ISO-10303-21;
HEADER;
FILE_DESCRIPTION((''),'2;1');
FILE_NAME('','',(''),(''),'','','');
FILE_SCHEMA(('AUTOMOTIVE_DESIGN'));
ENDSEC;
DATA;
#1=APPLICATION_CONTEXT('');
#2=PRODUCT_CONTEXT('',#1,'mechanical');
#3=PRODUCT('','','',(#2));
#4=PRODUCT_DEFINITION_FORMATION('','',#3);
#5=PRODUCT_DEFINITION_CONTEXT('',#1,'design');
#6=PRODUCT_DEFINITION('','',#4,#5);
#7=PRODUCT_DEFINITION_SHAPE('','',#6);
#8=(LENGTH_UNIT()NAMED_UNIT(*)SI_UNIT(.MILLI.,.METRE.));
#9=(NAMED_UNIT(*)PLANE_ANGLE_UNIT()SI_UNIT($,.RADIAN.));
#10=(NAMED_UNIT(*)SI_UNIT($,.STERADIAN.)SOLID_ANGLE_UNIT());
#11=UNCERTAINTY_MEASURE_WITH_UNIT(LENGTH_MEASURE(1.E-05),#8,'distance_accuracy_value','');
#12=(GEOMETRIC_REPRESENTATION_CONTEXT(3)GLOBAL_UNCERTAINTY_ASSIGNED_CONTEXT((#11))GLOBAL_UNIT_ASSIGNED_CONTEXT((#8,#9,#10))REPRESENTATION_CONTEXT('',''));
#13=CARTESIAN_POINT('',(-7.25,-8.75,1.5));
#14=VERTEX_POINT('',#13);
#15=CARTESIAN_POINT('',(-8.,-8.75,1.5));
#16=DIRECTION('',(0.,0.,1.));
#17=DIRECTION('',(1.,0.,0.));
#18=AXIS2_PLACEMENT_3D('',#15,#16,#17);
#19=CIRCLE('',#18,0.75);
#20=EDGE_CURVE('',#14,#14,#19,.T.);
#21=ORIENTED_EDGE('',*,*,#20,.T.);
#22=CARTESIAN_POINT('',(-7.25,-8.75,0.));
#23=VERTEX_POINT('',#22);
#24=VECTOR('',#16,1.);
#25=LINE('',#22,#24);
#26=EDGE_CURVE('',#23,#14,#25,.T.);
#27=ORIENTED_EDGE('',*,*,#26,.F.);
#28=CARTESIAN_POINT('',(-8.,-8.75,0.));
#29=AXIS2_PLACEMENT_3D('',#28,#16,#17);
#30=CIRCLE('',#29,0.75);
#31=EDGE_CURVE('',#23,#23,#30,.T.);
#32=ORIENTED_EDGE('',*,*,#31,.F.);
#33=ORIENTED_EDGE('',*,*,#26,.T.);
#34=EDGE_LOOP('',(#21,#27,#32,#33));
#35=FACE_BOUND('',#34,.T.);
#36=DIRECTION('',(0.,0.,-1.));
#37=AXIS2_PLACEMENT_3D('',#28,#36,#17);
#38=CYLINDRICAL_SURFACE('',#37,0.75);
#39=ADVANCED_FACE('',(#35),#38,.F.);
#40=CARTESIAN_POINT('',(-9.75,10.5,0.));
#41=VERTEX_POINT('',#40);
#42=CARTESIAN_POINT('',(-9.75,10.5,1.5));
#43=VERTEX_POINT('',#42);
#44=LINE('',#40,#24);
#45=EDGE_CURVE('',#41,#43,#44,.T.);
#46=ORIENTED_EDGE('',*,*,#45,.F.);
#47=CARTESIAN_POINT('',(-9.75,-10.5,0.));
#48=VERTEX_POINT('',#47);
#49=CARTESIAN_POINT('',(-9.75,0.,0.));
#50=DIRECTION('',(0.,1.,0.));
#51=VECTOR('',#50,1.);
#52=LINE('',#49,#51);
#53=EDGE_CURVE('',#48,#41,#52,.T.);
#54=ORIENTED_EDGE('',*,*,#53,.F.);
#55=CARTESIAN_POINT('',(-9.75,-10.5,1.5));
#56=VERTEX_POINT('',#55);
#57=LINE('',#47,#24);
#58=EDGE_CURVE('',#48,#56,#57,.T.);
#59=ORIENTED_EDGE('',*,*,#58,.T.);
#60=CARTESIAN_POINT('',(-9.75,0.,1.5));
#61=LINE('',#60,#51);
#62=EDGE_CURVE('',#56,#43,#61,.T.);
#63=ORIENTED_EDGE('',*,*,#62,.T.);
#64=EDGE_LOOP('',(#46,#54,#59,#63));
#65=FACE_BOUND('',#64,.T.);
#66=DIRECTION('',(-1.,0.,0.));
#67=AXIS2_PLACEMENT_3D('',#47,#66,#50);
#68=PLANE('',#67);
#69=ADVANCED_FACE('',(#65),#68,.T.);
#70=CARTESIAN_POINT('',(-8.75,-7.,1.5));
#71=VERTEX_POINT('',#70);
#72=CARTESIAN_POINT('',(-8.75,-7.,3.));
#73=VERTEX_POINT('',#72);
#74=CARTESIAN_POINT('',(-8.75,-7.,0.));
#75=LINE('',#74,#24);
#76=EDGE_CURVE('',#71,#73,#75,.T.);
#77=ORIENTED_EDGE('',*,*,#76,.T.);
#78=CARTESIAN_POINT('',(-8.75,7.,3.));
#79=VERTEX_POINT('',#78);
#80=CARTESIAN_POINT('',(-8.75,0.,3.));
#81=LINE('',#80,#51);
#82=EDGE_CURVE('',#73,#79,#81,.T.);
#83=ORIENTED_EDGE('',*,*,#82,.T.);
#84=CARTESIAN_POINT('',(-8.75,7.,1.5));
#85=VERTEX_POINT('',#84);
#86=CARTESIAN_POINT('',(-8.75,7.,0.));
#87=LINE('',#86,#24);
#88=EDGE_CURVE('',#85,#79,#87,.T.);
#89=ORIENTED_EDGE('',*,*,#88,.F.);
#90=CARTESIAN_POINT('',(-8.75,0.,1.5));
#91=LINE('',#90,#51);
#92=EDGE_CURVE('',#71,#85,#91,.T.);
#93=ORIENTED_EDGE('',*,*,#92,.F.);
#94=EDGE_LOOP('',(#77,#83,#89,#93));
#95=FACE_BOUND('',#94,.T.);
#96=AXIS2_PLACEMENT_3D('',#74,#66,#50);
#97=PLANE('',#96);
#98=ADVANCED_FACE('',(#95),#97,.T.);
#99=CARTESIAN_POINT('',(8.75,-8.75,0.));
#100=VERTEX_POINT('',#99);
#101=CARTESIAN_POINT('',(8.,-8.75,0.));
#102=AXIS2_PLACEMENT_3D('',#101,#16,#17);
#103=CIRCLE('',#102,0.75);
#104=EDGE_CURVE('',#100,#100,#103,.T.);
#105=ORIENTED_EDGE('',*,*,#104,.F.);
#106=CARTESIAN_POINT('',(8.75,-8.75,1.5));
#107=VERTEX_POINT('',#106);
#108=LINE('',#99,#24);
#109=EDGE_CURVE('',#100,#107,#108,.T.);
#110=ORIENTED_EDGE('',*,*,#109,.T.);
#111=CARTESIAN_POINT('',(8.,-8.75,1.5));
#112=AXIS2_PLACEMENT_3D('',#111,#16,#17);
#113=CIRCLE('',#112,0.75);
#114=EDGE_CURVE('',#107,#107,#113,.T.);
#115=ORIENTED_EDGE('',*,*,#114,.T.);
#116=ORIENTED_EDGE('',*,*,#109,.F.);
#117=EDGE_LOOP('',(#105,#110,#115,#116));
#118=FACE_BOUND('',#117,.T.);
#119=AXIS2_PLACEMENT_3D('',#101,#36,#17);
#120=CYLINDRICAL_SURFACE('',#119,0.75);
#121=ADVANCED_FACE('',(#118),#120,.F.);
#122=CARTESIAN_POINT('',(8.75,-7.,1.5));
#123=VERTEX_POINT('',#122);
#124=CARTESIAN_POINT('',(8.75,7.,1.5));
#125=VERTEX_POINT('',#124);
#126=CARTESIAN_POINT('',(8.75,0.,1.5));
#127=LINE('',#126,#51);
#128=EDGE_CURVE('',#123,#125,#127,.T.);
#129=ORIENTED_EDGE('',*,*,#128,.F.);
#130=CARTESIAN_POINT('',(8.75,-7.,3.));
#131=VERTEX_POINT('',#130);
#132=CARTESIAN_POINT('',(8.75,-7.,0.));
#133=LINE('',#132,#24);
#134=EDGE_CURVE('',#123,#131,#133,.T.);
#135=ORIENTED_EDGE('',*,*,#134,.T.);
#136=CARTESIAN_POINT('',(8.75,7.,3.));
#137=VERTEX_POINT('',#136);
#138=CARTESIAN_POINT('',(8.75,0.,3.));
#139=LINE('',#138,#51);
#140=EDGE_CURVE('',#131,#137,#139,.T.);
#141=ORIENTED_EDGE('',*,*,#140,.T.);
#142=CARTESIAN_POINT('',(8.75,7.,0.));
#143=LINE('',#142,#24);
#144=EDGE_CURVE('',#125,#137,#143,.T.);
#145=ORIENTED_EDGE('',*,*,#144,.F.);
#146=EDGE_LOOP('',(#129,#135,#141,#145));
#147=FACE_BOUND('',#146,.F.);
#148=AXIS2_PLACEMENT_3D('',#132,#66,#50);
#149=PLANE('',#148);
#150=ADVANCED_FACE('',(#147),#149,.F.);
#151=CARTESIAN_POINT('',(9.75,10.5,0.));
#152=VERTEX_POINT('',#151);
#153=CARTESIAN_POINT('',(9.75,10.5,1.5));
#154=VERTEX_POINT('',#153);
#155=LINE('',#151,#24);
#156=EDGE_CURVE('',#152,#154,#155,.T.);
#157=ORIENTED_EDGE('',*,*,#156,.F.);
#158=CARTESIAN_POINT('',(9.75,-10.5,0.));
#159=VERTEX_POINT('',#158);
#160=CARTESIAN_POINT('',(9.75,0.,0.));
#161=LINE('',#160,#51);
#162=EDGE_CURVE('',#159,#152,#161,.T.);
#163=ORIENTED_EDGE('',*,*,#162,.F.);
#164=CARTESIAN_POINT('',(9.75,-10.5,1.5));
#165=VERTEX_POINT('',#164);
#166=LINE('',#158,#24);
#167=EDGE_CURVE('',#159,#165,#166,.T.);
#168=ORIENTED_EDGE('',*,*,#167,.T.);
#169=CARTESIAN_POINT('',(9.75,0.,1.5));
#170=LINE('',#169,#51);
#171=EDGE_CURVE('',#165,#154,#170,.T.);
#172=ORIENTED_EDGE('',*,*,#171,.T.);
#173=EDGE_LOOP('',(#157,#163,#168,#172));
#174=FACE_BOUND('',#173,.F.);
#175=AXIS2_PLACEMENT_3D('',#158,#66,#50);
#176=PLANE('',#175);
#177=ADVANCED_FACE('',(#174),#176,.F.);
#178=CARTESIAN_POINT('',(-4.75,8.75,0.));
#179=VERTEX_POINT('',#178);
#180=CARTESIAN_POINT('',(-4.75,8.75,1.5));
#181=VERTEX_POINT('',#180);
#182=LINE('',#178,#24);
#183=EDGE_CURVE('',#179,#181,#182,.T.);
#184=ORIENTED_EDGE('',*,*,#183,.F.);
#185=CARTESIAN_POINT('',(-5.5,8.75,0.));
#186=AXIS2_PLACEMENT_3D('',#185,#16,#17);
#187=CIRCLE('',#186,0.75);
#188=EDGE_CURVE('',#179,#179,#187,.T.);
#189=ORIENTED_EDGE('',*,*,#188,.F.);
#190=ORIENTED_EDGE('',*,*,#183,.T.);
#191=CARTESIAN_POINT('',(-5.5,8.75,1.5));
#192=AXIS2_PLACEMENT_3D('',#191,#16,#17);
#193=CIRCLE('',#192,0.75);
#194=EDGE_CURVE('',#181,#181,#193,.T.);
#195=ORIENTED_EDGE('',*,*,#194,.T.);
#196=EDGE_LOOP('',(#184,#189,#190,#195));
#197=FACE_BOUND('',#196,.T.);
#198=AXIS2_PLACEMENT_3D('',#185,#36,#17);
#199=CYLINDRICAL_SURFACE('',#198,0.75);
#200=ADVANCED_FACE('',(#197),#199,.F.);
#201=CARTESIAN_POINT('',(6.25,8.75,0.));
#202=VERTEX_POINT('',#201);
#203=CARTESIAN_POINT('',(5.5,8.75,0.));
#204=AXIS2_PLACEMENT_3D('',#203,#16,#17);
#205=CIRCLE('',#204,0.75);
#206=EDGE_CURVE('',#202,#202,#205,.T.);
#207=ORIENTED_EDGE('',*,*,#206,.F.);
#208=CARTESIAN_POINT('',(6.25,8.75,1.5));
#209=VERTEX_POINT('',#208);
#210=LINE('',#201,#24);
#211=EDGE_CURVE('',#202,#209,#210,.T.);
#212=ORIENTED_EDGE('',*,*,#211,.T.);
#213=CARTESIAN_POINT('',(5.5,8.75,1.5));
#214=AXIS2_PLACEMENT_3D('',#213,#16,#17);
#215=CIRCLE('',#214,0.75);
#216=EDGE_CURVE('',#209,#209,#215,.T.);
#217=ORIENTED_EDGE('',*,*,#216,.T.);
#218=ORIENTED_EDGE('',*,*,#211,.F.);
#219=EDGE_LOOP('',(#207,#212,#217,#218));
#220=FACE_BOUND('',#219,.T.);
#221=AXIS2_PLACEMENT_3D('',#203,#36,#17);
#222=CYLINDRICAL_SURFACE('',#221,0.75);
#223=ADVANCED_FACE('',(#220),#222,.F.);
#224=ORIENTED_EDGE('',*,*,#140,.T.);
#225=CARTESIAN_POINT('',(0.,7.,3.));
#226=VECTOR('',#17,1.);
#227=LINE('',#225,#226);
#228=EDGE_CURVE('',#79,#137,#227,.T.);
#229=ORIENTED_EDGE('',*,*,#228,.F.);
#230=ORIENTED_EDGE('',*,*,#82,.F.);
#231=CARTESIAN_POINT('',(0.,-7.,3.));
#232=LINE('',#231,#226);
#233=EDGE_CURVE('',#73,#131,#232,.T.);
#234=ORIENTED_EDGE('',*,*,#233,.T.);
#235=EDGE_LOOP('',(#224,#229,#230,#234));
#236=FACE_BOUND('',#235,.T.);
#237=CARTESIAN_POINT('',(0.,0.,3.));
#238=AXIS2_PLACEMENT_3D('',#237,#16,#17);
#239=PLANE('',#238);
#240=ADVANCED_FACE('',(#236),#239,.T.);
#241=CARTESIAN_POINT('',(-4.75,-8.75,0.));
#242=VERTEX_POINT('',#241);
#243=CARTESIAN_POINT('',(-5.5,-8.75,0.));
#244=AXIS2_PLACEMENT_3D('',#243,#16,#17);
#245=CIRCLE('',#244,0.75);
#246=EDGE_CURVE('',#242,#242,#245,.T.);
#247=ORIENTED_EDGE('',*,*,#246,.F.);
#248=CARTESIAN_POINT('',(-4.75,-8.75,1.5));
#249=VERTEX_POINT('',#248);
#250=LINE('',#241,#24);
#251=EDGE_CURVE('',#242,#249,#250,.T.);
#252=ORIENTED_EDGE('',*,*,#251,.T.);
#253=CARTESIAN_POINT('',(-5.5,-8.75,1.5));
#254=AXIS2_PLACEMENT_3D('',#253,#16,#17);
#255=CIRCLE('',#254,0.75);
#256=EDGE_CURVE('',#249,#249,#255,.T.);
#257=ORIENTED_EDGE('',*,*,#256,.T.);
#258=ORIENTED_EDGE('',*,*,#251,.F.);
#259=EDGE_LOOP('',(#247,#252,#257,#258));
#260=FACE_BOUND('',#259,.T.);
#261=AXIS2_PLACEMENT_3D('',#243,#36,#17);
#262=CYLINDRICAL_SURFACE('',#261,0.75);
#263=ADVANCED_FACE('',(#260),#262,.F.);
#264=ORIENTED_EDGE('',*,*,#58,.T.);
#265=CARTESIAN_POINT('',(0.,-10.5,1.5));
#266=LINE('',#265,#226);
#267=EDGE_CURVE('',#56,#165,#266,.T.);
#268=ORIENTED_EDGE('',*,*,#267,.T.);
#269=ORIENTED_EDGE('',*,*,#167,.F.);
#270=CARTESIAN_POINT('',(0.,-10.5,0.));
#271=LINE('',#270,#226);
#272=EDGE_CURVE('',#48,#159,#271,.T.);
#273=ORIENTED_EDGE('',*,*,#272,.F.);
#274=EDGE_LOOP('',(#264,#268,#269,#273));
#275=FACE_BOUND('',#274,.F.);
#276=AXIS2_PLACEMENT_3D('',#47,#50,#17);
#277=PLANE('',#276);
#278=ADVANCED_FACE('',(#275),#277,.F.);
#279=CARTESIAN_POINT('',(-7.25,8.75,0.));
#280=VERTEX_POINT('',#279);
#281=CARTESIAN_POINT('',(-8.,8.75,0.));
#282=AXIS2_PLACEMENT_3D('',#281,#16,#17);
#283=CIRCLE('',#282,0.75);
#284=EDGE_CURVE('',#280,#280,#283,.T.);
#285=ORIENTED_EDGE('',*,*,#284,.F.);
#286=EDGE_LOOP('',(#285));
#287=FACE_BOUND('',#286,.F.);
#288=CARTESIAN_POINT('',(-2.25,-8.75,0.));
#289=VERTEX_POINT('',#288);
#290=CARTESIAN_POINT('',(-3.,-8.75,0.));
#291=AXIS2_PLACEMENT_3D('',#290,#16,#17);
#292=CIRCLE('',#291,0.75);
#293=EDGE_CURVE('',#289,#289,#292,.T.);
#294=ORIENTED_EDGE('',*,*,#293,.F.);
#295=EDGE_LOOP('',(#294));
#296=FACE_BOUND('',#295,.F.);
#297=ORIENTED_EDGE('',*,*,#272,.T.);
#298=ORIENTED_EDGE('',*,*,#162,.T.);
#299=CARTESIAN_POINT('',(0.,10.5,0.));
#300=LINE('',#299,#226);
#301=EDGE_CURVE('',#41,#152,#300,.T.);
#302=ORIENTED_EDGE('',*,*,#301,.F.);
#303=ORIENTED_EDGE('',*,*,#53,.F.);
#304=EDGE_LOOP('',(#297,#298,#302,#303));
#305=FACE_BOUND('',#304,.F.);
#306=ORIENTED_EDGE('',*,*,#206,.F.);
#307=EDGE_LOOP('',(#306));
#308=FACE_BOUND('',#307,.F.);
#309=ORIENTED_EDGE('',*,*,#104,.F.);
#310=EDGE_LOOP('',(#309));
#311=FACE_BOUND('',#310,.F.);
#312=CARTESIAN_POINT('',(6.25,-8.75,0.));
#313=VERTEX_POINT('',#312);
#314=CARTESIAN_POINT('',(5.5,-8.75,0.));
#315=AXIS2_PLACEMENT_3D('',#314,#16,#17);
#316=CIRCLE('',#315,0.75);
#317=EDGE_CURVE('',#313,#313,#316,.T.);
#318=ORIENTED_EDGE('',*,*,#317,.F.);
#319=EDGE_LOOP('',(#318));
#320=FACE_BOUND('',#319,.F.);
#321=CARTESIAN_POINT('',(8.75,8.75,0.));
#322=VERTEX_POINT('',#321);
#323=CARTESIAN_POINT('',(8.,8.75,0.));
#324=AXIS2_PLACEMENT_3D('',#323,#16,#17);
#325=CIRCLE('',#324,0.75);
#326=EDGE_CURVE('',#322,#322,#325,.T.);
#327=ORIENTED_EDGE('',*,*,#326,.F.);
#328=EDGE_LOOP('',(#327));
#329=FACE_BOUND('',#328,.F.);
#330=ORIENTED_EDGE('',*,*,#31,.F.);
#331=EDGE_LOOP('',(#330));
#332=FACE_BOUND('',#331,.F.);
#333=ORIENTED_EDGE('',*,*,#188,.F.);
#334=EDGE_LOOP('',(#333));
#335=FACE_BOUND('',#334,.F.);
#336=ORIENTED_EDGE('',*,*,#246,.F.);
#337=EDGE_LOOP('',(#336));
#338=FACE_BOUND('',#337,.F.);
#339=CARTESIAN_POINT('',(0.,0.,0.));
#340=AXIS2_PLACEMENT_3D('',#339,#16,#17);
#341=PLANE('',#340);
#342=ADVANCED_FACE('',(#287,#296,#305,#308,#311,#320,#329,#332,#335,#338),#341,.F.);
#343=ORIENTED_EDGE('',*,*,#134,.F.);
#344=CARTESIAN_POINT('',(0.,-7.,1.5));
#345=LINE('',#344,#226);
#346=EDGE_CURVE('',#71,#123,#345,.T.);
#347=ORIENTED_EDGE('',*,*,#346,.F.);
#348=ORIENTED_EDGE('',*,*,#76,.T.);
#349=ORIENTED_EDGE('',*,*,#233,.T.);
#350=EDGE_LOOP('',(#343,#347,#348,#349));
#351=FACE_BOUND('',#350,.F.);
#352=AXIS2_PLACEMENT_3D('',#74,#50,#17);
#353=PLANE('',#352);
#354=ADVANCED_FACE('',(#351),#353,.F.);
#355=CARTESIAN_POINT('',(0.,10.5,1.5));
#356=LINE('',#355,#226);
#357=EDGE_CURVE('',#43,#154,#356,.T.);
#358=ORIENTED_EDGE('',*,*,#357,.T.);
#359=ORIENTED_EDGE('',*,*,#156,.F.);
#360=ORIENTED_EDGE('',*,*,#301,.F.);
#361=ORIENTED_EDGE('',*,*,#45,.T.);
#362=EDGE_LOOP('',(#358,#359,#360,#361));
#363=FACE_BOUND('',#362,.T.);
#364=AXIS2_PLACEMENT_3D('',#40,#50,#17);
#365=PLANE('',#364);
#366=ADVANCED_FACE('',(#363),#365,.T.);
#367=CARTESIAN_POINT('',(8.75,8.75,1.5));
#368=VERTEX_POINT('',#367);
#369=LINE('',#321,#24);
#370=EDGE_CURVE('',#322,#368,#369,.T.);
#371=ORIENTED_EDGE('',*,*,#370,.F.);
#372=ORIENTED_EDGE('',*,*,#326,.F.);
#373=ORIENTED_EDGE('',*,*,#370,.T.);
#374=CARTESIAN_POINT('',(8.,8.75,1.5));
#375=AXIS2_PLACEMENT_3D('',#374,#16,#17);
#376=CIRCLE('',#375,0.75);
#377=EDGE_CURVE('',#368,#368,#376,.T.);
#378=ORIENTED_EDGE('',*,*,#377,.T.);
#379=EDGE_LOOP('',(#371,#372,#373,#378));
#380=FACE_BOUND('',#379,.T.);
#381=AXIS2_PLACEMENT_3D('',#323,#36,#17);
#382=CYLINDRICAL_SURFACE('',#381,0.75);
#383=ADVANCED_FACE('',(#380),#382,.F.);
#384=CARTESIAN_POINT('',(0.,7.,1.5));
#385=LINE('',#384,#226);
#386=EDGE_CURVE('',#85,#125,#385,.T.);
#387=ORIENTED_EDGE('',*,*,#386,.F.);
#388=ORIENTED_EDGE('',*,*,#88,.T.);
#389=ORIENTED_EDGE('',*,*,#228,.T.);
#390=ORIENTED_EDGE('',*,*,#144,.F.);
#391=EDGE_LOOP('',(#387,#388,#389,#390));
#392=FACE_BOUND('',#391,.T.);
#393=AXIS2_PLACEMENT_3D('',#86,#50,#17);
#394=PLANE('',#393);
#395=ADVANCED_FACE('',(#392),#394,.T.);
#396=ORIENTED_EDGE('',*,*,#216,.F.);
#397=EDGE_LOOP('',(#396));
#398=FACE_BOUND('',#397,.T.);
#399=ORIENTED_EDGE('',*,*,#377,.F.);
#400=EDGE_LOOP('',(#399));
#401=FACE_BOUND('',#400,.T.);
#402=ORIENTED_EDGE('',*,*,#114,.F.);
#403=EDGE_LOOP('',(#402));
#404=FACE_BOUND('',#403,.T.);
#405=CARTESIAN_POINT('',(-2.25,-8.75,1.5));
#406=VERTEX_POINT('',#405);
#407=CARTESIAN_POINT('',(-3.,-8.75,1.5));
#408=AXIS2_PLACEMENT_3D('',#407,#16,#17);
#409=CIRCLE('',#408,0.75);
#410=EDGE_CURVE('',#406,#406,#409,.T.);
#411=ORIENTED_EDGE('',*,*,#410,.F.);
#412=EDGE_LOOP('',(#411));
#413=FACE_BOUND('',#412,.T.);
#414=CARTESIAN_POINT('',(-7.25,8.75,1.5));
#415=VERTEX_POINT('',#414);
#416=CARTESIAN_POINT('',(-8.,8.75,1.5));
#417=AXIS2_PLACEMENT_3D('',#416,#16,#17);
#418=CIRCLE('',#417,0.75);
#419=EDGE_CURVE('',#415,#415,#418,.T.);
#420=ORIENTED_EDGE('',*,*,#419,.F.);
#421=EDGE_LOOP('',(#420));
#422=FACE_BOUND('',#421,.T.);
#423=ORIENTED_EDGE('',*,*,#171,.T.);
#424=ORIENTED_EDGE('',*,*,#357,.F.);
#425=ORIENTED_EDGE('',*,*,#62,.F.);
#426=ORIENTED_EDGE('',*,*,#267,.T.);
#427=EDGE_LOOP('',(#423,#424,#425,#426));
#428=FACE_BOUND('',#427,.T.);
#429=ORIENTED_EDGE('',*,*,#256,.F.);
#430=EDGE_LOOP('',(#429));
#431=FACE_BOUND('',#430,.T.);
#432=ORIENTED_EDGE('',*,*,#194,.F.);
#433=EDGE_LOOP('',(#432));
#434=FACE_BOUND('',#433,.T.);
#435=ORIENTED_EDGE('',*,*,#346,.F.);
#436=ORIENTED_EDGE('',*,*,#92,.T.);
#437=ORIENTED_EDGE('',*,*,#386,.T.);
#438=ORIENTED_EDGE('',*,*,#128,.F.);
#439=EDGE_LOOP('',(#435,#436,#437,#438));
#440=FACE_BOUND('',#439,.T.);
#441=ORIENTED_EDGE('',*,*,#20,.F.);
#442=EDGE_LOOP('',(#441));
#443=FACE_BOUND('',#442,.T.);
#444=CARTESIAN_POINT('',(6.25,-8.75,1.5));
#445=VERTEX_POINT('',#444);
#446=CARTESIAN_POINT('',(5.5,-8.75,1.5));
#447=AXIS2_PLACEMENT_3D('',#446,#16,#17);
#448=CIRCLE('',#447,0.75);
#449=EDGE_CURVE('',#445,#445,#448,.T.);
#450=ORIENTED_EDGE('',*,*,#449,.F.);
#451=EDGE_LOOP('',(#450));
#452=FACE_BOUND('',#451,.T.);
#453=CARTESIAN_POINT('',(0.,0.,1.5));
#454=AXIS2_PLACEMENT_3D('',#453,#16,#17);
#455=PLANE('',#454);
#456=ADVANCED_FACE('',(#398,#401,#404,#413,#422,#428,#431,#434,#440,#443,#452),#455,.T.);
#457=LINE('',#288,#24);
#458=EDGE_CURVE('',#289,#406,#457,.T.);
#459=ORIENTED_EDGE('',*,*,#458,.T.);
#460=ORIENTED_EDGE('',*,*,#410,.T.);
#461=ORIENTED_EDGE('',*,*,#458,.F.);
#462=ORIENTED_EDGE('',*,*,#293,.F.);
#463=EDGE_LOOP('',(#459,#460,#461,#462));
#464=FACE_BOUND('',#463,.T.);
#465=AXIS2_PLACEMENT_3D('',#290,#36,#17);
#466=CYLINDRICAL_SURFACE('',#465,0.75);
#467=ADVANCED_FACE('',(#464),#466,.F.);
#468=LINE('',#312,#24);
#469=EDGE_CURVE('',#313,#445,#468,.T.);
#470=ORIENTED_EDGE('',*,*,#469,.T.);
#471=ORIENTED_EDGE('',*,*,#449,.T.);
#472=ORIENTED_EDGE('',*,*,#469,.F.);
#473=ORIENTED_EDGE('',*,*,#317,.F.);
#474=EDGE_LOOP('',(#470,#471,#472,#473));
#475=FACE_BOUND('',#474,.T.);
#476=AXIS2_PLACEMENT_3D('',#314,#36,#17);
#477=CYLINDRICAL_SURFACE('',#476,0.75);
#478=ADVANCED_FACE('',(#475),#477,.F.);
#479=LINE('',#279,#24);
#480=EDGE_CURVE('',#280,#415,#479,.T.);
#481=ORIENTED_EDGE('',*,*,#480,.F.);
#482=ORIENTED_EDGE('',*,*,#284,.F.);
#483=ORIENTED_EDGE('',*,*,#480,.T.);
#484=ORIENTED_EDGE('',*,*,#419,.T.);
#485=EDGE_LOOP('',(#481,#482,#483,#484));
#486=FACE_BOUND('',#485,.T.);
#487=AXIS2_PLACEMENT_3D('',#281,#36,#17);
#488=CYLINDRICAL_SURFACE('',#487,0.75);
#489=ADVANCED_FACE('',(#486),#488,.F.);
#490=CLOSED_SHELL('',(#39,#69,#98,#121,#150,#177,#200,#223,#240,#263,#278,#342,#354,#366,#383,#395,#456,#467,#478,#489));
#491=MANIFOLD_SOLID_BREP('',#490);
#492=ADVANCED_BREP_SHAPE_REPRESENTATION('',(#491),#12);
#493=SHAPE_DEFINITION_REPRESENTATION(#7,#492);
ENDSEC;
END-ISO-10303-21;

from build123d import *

# Parameters (mm, degrees)
F0_W     = 19.5
F0_H     = 21
F0_R     = 0.75
F0_W_2   = 17.5
F0_H_2   = 14
F1_DEPTH = 1.5
F2_DEPTH = 3


with BuildPart() as f1:
    # F0 (on Top) → F1 (new body)
    with BuildSketch(Plane.XY):
        Rectangle(F0_W, F0_H)
        with Locations((-8, -8.75)):
            Circle(F0_R, mode=Mode.SUBTRACT)
        with Locations((-5.5, -8.75)):
            Circle(F0_R, mode=Mode.SUBTRACT)
        with Locations((-3, -8.75)):
            Circle(F0_R, mode=Mode.SUBTRACT)
        with Locations((5.5, -8.75)):
            Circle(F0_R, mode=Mode.SUBTRACT)
        with Locations((8, -8.75)):
            Circle(F0_R, mode=Mode.SUBTRACT)
        with Locations((-8, 8.75)):
            Circle(F0_R, mode=Mode.SUBTRACT)
        with Locations((-5.5, 8.75)):
            Circle(F0_R, mode=Mode.SUBTRACT)
        Rectangle(F0_W_2, F0_H_2, mode=Mode.SUBTRACT)
        with Locations((5.5, 8.75)):
            Circle(F0_R, mode=Mode.SUBTRACT)
        with Locations((8, 8.75)):
            Circle(F0_R, mode=Mode.SUBTRACT)
    extrude(amount=F1_DEPTH)

    # F0 (on Top) → F2 (join)
    with BuildSketch(Plane.XY):
        Rectangle(F0_W_2, F0_H_2)
    extrude(amount=F2_DEPTH)


solid = f1.part
